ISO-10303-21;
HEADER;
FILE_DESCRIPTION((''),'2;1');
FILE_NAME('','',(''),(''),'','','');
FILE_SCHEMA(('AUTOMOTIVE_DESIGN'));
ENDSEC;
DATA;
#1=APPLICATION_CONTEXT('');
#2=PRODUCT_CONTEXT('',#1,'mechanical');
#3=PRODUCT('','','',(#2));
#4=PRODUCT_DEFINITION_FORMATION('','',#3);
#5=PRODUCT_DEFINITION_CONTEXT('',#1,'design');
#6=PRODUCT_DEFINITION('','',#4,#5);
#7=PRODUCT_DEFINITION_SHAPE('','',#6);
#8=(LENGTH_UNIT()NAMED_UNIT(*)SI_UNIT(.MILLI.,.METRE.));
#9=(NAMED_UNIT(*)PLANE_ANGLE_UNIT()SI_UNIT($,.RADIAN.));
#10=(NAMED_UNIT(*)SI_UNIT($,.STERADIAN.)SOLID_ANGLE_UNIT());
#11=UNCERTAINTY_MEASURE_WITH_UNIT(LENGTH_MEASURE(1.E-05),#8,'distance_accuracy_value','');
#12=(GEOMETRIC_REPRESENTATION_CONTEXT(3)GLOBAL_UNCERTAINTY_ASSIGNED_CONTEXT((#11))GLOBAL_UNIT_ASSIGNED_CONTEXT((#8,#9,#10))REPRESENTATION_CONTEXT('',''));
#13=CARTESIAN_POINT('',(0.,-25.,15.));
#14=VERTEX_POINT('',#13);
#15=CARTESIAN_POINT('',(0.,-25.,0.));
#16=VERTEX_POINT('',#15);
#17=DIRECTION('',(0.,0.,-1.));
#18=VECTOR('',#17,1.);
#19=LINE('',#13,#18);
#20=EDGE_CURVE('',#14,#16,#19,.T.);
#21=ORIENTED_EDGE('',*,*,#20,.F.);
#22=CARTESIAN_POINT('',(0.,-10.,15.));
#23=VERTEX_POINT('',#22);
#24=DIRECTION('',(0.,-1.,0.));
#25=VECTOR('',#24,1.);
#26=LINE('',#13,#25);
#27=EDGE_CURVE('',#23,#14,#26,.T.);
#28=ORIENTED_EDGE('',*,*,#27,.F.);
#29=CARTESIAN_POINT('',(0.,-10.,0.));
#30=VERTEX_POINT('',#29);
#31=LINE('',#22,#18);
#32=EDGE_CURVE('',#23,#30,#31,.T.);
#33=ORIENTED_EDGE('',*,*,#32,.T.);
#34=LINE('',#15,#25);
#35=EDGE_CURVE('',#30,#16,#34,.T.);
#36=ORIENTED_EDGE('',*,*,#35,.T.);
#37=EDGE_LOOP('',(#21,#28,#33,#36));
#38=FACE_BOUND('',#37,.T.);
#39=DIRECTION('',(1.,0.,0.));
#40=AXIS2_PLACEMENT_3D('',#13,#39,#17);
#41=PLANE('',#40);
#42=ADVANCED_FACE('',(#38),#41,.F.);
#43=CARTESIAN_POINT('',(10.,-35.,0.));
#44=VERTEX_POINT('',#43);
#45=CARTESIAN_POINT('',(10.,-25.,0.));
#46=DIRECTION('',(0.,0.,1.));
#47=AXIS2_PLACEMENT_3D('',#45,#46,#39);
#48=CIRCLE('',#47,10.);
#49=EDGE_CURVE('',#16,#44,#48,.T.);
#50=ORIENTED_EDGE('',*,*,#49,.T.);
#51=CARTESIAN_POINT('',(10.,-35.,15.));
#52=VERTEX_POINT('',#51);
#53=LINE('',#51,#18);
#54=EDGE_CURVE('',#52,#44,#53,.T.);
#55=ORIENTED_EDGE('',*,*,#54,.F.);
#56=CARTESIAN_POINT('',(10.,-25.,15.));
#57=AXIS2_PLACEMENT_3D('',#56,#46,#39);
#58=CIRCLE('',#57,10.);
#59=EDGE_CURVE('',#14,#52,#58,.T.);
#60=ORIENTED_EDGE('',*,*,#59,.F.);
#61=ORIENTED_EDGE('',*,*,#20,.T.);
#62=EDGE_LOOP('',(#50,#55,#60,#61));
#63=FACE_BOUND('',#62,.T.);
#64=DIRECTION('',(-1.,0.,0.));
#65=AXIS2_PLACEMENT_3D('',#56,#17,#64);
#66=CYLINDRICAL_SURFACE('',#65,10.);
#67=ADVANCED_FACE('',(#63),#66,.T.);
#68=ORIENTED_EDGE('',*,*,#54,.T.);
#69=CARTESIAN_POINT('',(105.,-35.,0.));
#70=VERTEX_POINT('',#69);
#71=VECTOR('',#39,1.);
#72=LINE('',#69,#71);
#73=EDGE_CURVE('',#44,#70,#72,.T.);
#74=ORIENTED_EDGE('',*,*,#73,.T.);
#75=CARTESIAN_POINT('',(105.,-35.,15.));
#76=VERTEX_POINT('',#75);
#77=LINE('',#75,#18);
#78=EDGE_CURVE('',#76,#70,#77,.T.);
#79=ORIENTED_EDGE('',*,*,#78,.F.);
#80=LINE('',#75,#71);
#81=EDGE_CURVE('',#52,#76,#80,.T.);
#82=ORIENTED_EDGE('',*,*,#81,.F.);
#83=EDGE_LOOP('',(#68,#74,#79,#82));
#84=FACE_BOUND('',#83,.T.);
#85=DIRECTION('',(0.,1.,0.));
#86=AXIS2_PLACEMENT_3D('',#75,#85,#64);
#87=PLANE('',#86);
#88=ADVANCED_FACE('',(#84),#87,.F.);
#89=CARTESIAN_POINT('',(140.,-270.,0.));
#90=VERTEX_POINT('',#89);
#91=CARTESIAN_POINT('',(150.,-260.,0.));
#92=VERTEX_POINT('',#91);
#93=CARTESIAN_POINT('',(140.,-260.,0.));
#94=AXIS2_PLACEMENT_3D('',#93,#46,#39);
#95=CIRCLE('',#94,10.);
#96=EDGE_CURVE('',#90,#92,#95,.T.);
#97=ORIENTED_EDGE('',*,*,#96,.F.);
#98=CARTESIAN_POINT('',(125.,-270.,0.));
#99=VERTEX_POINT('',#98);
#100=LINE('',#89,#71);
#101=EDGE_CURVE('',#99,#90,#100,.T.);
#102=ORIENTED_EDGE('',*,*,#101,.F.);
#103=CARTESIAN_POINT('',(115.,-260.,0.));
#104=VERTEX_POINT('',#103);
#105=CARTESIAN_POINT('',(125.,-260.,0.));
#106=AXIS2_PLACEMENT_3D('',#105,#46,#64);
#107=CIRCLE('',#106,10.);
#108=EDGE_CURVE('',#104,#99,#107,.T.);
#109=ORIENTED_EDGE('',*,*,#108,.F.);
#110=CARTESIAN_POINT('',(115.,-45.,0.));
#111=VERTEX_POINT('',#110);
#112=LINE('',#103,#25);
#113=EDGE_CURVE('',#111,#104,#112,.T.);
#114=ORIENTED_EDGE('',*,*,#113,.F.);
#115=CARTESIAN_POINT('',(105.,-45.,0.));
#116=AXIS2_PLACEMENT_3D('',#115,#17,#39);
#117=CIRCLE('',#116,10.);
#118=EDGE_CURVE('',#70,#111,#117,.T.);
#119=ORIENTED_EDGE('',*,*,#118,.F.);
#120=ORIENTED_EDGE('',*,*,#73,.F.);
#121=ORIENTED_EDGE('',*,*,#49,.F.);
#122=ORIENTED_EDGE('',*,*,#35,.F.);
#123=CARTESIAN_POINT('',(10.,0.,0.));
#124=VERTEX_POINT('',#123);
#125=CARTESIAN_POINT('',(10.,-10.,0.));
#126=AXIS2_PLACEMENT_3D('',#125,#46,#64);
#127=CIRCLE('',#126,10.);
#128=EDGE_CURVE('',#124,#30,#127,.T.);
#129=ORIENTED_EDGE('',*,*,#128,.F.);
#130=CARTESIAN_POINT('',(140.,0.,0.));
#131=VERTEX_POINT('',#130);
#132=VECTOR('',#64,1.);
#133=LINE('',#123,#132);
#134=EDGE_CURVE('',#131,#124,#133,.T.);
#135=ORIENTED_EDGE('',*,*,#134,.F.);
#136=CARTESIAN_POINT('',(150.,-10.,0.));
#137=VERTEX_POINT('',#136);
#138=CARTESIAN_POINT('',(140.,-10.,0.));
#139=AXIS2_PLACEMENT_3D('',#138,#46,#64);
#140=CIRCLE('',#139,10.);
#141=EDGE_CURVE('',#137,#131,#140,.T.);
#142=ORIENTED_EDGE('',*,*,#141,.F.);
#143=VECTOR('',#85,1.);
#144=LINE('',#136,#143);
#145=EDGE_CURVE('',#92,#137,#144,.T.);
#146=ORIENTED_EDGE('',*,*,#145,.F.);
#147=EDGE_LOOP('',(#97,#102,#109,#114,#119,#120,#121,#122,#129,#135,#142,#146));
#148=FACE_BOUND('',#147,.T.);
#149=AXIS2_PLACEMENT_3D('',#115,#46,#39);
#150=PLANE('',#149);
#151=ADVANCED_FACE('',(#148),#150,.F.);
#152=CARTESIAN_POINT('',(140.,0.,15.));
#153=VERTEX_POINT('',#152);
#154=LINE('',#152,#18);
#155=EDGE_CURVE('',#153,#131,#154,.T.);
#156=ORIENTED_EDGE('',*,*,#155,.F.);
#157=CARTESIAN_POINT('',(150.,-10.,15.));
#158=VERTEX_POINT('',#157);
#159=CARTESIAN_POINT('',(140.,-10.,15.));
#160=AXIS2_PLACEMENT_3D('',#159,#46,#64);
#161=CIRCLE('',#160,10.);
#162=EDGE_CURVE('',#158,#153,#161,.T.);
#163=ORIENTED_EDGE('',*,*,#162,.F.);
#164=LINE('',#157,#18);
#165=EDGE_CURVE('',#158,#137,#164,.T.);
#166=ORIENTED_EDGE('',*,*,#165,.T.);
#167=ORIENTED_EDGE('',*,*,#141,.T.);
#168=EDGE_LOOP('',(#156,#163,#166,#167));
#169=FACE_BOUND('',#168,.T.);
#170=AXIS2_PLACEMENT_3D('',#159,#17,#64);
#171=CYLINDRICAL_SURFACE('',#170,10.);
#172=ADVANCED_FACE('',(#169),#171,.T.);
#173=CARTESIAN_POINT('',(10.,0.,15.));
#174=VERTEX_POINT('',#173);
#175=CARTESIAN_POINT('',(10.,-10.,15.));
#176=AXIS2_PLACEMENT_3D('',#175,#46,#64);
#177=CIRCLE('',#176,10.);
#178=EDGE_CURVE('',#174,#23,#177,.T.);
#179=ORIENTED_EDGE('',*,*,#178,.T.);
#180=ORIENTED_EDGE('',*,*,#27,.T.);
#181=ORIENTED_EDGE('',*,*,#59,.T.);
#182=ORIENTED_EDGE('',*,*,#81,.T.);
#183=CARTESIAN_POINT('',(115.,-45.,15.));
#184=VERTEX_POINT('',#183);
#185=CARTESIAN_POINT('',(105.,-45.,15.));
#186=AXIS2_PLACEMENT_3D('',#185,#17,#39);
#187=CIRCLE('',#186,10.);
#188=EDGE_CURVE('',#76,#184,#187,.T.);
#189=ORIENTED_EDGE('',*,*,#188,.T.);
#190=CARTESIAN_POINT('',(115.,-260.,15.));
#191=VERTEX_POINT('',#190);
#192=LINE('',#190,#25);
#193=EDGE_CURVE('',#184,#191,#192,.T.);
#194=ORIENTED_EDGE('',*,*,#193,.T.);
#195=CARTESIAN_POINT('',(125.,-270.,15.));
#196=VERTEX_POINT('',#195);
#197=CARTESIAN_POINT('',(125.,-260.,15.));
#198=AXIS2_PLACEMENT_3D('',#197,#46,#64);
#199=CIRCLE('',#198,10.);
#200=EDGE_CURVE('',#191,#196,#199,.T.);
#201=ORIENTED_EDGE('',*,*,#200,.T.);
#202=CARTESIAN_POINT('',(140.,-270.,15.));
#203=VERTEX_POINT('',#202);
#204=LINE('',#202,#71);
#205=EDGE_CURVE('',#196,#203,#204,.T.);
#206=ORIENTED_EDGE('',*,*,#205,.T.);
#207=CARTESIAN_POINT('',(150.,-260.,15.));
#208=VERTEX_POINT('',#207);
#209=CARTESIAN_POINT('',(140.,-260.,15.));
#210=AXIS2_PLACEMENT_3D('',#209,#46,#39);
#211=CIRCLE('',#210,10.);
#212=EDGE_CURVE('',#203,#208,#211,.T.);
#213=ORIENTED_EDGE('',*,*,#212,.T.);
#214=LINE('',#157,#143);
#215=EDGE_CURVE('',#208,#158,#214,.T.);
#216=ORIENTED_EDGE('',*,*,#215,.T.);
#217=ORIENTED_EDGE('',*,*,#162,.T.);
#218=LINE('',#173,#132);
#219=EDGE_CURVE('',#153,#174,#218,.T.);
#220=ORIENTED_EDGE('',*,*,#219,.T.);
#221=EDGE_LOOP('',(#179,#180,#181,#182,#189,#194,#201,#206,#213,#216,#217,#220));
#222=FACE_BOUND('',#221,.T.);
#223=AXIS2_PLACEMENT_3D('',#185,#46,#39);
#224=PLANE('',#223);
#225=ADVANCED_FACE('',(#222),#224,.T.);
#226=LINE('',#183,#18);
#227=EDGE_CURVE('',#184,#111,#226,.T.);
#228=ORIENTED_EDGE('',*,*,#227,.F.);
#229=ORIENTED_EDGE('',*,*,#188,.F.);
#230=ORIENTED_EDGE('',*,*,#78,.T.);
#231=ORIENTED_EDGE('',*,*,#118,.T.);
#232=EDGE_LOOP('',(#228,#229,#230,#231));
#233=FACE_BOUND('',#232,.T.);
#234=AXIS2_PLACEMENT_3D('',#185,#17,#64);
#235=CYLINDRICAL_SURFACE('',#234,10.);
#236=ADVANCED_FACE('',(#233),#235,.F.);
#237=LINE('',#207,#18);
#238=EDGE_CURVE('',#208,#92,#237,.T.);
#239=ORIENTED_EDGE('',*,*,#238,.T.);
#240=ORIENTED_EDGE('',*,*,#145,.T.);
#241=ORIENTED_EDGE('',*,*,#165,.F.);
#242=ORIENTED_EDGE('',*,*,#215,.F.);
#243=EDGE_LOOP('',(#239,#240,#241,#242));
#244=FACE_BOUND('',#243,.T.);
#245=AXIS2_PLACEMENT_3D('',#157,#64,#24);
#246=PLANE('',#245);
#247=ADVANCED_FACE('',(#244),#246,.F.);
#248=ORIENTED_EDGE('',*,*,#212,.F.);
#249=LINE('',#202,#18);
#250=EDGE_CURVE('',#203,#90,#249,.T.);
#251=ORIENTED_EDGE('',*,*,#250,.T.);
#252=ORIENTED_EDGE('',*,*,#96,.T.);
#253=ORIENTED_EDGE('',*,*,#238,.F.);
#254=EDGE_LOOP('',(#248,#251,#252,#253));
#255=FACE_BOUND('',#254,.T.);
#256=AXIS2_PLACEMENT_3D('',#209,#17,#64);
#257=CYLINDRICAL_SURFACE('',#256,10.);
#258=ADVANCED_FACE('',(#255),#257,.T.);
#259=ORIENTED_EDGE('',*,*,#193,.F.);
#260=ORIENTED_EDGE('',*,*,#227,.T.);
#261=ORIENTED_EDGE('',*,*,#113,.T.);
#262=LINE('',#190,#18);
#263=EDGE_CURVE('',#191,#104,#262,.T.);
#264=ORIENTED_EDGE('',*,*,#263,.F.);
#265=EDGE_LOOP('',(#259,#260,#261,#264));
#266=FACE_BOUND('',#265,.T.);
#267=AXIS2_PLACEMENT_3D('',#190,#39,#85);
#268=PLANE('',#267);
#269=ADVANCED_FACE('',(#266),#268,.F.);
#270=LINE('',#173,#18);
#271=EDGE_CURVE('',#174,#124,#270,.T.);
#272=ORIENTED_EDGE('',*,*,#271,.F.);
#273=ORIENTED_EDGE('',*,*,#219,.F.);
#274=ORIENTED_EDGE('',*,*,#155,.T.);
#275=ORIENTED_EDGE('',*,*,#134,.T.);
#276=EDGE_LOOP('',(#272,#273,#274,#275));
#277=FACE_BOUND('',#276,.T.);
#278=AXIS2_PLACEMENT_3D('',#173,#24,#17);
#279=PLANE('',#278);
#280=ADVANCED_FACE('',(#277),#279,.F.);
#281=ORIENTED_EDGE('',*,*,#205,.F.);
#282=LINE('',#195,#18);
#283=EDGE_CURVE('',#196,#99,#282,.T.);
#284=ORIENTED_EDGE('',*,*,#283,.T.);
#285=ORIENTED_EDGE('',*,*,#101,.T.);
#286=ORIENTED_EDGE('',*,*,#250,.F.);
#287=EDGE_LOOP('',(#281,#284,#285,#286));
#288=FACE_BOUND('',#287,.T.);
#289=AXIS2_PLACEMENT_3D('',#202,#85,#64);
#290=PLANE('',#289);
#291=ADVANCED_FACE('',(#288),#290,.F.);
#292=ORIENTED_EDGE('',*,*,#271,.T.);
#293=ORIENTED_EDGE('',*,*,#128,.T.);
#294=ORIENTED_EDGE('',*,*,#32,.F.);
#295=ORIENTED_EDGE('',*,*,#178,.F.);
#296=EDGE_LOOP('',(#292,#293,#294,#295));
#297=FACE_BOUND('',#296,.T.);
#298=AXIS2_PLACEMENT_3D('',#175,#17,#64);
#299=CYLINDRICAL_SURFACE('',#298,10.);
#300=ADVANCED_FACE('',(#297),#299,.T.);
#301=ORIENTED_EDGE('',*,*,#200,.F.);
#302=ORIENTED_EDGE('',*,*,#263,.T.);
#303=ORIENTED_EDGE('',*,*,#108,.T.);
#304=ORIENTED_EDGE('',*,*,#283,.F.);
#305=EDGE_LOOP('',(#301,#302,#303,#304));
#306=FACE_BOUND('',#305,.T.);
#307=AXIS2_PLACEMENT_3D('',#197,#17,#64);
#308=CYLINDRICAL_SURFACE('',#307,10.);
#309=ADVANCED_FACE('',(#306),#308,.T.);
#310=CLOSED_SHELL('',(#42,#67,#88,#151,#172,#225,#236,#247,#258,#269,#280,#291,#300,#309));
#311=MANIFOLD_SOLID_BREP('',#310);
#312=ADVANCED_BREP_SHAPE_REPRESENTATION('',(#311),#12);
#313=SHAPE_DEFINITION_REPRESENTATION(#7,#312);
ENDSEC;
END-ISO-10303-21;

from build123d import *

# Parameters (mm, degrees)
BOSS_EXTRUDE1_DEPTH = 15


with BuildPart() as part:
    # Sketch1 → Boss-Extrude1 (new body)
    with BuildSketch(Plane.XY):
        with BuildLine():
            Line((10, 0), (140, 0))
            ThreePointArc((140, 0), (147.071067812, -2.928932188), (150, -10))
            Line((150, -10), (150, -260))
            ThreePointArc((150, -260), (147.071067812, -267.071067812), (140, -270))
            Line((140, -270), (125, -270))
            ThreePointArc((125, -270), (117.928932188, -267.071067812), (115, -260))
            Line((115, -260), (115, -45))
            ThreePointArc((115, -45), (112.071067812, -37.928932188), (105, -35))
            Line((105, -35), (10, -35))
            ThreePointArc((10, -35), (2.928932188, -32.071067812), (0, -25))
            Line((0, -25), (0, -10))
            ThreePointArc((0, -10), (2.928932188, -2.928932188), (10, 0))
        make_face()
    extrude(amount=BOSS_EXTRUDE1_DEPTH)


solid = part.part
